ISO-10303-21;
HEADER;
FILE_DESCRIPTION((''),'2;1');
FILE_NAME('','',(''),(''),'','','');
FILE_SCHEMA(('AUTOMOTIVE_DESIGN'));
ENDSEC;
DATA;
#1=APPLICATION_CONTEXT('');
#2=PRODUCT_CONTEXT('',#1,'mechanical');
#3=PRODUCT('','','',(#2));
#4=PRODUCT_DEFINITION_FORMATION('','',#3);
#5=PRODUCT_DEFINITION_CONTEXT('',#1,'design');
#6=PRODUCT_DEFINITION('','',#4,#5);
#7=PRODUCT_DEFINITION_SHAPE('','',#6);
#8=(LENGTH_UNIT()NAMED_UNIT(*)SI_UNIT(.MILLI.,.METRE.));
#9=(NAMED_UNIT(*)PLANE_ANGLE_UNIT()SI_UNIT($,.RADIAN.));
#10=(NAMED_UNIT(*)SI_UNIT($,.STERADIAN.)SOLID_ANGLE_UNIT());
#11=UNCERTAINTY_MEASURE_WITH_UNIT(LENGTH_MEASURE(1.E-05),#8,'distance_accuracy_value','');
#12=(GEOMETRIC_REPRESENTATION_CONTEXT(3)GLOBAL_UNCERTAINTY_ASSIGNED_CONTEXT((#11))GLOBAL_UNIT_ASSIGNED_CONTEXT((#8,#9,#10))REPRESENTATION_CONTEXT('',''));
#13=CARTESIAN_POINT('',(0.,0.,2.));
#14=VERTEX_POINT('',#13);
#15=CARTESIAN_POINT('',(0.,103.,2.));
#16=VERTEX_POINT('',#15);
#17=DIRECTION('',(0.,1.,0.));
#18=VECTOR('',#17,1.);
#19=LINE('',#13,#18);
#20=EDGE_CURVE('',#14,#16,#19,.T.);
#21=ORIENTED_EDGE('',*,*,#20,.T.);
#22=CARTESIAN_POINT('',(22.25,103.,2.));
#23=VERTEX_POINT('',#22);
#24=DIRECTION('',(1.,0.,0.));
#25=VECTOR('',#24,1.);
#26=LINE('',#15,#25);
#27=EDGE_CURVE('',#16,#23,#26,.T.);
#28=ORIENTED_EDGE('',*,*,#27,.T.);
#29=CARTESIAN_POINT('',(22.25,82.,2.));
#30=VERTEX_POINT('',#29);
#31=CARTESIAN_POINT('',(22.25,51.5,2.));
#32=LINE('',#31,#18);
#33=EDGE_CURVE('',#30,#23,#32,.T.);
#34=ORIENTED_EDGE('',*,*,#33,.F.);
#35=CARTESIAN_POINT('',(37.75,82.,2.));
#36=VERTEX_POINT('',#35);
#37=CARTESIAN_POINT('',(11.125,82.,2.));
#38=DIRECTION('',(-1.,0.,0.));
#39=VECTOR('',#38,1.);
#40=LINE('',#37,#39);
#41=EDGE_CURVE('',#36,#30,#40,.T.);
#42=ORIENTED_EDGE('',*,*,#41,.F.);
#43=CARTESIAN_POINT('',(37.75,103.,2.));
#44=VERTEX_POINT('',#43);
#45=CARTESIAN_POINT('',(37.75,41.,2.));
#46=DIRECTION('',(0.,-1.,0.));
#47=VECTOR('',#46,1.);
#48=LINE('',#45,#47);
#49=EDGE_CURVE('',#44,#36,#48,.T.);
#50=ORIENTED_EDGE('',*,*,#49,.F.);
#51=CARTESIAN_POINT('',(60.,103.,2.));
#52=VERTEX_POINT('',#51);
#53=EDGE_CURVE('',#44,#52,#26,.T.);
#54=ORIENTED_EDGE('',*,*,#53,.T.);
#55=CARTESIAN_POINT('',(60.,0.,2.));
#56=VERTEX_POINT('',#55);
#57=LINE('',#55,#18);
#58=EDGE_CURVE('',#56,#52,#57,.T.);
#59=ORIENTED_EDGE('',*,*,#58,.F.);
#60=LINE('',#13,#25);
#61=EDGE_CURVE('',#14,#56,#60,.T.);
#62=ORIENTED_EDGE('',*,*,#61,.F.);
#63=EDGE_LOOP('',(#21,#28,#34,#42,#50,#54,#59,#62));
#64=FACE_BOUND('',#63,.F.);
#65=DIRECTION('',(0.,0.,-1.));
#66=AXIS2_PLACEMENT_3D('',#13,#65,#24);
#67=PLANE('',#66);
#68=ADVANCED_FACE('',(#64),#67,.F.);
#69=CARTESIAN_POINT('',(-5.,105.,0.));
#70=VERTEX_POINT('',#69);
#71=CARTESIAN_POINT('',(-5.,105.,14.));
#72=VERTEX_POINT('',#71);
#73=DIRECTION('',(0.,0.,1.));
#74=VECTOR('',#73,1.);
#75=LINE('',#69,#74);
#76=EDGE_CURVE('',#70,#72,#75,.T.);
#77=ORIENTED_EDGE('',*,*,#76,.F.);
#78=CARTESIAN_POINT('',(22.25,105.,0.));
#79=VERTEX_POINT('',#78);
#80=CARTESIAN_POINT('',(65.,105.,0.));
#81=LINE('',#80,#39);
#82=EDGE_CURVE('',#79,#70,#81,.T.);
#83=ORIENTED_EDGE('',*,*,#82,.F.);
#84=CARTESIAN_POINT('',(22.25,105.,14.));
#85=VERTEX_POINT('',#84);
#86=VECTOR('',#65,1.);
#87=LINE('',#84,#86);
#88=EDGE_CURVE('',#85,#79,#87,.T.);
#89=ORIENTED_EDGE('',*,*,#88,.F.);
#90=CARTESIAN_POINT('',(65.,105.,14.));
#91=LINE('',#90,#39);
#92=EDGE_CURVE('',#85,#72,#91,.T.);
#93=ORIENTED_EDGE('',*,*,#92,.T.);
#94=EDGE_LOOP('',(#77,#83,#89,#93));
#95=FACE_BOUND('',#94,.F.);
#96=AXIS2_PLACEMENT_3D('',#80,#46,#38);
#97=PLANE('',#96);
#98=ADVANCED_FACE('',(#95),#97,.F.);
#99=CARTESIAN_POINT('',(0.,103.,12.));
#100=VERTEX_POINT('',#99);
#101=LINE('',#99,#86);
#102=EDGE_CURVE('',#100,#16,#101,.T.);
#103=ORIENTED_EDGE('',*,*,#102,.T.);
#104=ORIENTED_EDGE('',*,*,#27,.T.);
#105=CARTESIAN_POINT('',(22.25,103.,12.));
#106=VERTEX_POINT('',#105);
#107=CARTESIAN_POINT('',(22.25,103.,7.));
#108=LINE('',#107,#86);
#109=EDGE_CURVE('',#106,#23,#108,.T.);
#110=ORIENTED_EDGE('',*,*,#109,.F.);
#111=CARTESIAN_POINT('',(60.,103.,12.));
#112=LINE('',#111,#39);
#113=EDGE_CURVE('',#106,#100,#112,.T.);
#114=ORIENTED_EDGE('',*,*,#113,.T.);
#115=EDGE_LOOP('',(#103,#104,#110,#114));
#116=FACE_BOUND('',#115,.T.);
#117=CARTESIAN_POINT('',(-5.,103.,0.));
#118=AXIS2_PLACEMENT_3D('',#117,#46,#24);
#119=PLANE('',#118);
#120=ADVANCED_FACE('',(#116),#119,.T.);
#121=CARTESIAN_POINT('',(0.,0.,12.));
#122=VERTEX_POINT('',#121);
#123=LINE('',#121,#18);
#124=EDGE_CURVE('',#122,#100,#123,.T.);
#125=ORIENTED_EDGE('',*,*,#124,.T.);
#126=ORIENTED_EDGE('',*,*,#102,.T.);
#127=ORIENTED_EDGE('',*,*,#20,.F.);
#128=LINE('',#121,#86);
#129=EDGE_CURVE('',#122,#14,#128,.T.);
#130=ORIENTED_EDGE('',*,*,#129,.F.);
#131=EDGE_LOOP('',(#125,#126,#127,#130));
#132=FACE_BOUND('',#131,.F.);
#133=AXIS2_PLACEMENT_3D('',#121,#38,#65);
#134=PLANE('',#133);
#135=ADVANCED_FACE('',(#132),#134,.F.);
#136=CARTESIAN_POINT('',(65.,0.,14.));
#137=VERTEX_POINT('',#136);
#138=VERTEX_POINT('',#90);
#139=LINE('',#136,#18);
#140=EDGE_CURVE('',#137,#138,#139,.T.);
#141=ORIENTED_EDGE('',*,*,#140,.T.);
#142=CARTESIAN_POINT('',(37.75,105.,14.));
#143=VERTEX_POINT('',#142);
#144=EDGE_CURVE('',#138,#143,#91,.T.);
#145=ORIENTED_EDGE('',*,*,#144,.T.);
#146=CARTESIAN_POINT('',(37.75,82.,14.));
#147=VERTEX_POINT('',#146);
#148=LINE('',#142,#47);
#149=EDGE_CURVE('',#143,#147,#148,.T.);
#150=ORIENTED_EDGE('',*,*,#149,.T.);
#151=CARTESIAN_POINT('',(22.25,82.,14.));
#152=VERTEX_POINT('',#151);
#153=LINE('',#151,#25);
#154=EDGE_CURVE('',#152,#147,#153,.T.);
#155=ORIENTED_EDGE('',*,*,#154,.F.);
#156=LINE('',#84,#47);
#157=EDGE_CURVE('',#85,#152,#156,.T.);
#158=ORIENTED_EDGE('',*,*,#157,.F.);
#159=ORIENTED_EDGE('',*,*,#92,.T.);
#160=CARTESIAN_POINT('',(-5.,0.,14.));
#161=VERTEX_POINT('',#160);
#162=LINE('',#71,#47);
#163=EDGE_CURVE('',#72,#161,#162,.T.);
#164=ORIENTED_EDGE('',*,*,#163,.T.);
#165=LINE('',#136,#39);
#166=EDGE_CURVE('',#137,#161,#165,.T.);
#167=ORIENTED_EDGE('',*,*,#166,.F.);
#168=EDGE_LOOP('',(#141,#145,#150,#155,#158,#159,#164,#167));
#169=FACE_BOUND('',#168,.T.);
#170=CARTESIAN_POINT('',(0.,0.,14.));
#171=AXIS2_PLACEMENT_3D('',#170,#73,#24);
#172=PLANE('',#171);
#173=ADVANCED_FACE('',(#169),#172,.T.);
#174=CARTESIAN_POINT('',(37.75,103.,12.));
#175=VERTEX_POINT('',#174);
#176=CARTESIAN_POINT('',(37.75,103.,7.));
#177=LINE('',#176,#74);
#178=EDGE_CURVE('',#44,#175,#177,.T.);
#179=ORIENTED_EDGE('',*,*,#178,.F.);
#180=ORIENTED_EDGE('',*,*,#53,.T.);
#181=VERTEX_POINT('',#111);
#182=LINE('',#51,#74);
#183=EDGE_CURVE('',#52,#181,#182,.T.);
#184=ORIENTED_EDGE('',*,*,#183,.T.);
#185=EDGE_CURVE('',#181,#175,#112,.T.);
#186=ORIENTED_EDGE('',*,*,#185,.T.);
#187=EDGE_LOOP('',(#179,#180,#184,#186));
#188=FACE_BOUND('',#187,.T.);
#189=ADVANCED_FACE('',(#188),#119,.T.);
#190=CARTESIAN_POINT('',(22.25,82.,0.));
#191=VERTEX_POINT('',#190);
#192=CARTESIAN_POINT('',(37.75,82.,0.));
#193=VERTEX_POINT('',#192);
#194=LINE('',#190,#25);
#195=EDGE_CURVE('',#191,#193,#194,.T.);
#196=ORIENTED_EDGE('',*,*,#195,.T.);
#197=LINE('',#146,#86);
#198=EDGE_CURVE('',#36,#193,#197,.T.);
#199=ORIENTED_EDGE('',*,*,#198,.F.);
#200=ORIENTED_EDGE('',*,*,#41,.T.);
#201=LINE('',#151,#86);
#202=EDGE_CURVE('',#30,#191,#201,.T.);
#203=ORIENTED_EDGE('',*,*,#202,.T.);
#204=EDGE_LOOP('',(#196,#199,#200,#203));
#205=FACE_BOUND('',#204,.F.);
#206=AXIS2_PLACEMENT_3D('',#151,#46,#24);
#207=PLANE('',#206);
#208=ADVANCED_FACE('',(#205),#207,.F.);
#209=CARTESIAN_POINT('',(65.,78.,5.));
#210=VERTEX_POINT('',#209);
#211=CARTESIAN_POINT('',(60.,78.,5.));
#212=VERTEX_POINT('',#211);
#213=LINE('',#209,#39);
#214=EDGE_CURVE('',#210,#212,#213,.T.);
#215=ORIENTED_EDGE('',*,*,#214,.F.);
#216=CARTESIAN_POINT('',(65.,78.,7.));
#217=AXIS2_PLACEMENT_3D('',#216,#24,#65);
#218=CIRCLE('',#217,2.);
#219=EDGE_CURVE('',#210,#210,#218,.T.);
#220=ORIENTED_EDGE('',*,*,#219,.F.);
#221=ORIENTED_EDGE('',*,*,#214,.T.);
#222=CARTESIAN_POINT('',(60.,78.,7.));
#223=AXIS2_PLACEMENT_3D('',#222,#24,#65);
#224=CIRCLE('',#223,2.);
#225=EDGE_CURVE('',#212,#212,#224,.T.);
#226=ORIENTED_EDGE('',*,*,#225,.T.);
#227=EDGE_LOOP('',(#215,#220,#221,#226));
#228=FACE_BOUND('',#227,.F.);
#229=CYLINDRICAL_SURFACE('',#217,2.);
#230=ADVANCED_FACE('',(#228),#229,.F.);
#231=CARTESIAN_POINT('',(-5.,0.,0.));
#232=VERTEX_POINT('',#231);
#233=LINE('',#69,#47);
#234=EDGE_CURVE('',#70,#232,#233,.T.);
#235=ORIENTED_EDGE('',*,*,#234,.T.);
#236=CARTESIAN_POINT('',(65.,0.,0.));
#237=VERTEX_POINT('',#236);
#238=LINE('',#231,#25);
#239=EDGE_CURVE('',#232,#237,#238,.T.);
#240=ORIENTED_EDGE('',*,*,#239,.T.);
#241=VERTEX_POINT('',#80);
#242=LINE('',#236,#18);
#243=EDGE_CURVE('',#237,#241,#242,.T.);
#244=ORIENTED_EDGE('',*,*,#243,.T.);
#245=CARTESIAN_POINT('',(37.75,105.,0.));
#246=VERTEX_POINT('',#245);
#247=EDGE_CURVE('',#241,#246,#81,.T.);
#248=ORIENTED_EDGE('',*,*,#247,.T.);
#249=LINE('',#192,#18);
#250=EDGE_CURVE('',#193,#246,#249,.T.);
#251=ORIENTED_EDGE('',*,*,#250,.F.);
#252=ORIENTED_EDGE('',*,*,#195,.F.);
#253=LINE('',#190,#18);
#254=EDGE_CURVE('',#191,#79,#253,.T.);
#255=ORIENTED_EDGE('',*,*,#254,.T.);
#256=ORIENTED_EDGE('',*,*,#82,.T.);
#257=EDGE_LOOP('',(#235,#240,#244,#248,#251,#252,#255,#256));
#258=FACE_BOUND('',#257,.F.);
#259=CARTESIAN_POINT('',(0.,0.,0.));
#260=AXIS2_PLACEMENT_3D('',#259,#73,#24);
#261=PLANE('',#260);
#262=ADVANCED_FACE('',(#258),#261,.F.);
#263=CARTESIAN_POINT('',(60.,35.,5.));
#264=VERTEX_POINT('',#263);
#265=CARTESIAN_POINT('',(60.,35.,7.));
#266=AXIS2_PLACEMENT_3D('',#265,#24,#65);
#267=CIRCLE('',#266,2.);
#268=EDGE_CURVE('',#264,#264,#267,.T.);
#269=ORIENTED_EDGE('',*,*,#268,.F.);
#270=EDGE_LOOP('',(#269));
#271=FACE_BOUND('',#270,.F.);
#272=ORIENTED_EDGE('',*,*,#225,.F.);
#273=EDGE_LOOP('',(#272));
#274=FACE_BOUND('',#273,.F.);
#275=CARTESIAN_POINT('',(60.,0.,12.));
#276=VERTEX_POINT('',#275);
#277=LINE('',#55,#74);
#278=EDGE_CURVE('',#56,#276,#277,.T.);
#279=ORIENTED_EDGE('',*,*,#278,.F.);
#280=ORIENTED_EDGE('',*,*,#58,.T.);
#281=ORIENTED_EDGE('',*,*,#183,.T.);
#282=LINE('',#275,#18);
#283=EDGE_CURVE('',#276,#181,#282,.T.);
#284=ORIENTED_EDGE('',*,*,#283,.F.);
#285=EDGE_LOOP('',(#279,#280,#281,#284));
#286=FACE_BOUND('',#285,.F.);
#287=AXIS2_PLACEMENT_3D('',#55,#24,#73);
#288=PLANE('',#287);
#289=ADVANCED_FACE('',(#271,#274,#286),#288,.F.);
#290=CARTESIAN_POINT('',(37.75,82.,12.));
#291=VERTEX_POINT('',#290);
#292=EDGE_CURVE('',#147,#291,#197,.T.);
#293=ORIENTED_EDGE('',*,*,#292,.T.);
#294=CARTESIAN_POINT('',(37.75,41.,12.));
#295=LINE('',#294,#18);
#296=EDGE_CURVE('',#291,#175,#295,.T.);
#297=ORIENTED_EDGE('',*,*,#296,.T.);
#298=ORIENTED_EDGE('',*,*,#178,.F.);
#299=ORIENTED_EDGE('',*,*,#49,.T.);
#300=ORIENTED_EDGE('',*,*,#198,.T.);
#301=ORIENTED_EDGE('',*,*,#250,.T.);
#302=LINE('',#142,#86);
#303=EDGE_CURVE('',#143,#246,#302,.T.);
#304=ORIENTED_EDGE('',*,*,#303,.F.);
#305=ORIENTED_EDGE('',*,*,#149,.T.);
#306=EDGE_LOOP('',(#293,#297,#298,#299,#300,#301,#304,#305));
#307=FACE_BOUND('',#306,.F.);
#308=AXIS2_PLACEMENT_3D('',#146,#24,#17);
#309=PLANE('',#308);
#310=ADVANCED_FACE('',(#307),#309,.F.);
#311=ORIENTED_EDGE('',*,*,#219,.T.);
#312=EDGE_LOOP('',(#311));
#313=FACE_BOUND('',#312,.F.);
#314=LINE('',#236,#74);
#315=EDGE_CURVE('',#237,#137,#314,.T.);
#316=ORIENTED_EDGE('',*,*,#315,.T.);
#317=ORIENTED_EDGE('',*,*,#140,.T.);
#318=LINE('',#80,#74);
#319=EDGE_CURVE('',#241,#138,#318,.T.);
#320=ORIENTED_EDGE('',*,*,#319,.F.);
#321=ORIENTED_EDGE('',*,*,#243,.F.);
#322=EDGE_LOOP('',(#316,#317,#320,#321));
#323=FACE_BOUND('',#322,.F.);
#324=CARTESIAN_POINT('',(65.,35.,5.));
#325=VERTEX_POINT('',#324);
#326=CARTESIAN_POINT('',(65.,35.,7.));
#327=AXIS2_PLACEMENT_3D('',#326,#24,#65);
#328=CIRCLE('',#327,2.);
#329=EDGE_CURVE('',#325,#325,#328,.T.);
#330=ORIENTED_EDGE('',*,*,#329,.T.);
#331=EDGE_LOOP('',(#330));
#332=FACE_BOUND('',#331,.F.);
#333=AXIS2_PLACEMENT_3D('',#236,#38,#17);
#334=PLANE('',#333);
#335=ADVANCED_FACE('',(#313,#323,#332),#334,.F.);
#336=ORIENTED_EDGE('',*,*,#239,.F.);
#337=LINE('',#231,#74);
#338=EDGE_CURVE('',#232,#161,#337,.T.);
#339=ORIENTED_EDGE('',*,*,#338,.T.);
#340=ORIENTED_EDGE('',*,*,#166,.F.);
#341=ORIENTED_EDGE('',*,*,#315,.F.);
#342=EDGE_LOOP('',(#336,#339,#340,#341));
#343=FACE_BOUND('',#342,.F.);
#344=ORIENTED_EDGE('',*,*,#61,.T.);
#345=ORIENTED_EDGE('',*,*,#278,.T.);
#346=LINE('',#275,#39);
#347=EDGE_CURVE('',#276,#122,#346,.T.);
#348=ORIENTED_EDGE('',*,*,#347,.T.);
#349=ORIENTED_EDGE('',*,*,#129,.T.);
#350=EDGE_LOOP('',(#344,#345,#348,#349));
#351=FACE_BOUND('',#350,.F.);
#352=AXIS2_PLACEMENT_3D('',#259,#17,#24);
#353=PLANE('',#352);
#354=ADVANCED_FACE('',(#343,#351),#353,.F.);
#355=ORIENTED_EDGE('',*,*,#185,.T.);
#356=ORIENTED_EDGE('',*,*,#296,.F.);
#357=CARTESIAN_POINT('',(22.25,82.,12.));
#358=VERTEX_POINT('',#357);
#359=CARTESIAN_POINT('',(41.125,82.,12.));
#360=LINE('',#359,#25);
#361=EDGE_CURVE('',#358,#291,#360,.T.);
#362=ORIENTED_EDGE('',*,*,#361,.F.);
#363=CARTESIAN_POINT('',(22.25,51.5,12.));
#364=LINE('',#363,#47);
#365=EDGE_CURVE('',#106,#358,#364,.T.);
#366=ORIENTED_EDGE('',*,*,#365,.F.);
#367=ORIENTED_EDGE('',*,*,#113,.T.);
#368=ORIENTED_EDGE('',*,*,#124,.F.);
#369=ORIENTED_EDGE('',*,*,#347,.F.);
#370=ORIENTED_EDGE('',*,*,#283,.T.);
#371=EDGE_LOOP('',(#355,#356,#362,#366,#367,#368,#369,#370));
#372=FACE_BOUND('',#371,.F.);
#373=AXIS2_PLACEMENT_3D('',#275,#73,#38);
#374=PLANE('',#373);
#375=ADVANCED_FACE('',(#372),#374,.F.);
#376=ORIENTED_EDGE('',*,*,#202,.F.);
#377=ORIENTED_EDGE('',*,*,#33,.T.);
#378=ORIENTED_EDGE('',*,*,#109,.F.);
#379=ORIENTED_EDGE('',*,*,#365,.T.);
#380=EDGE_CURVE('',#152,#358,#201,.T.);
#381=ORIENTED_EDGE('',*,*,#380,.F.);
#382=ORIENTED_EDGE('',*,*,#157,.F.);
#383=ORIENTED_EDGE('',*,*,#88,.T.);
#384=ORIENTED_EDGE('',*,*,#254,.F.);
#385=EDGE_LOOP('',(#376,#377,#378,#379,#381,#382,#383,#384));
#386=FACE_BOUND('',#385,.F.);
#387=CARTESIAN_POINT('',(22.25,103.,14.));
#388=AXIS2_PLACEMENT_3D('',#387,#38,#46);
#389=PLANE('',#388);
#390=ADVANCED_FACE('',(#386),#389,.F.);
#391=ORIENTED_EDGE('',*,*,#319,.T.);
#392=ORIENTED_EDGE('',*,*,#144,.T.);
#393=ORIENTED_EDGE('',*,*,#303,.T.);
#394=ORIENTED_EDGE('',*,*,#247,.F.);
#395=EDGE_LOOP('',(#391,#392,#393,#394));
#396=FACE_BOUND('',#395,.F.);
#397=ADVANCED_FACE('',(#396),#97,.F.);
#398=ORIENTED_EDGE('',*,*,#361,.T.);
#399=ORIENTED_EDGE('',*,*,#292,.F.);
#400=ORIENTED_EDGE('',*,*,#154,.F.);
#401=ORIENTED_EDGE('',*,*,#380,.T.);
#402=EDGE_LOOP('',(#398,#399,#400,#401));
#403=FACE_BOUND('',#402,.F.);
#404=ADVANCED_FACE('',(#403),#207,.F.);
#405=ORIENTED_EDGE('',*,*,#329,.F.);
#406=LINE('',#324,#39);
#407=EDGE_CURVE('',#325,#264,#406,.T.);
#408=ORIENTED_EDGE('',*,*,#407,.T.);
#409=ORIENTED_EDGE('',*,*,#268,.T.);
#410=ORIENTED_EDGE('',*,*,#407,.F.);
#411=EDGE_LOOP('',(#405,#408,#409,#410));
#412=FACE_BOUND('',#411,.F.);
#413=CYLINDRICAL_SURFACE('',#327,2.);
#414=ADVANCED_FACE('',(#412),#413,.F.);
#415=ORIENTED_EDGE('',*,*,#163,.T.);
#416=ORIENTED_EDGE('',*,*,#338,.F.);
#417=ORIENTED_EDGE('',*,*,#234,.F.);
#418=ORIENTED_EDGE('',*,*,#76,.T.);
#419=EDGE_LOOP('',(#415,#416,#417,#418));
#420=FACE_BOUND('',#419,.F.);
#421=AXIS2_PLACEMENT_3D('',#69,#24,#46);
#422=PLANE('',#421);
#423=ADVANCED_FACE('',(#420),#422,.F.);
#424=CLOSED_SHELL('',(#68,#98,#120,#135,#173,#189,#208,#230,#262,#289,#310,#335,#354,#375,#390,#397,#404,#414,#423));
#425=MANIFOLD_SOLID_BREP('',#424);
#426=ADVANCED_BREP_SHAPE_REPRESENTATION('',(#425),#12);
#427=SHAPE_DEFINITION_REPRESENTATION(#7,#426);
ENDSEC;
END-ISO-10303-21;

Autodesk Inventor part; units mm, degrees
ref_plane "YZ Plane" through (0, 0, 0) normal (1, 0, 0) x (0, 1, 0)
ref_plane "XZ Plane" through (0, 0, 0) normal (0, 1, 0) x (-1, 0, 0)
ref_plane "XY Plane" through (0, 0, 0) normal (0, 0, 1) x (1, 0, 0)
sketch "Sketch1" plane through (0, 0, 0) normal (0, 0, 1) x (1, 0, 0)
  line L0 (0, 0) -> (60, 0)
  line L1 (60, 0) -> (60, 100)
  line L2 (60, 100) -> (0, 100)
  line L3 (0, 100) -> (0, 0)
  line L4 (-5, 0) -> (65, 0)
  line L5 (65, 0) -> (65, 105)
  line L6 (65, 105) -> (-5, 105)
  line L7 (-5, 105) -> (-5, 0)
  dimension "d0" = 60
  dimension "d1" = 100
  dimension "d2" = 5
  dimension "d3" = 5
  dimension "d4" = 5
extrude "Extrusion1" add sketch "Sketch1" along normal blind 14
sketch "Sketch2" plane through (-5, 0, 0) normal (0, -1, 0) x (1, 0, 0)
  line L0 (5, 2) -> (65, 2)
  line L1 (65, 2) -> (65, 12)
  line L2 (65, 12) -> (5, 12)
  line L3 (5, 12) -> (5, 2)
  line L4 (0, 14) -> (70, 14) projected
  line L5 (0, 0) -> (70, 0) projected
  line L6 (70, 0) -> (70, 14) projected
  line L7 (0, 0) -> (0, 14) projected
  point P0 (5, 0)
  dimension "d7" = 2
  dimension "d8" = 2
  dimension "d9" = 5
  dimension "d10" = 5
extrude "Extrusion2" cut sketch "Sketch2" against normal blind 103 contours L3 L2 L1 L0
sketch "Sketch3" plane through (0, 0, 14) normal (0, 0, 1) x (1, 0, 0)
  line L0 (37.75, 103) -> (22.25, 103)
  line L1 (22.25, 103) -> (22.25, 82)
  line L2 (22.25, 82) -> (37.75, 82)
  line L3 (37.75, 82) -> (37.75, 103)
  line L4 (65, 105) -> (-5, 105) projected
  line L5 (0, 0) -> (0, 103) projected
  line L6 (0, 103) -> (60, 103) projected
  line L7 (0, 103) -> (60, 103)
  line L8 (60, 0) -> (60, 103) projected
  line L9 (22.25, 103) -> (22.25, 105)
  line L10 (65, 105) -> (-5, 105) projected
  line L11 (37.75, 103) -> (37.75, 105)
  line L12 (22.25, 105) -> (37.75, 105)
  dimension "d13" = 2
  dimension "d14" = 22.25
  dimension "d15" = 15.5
  dimension "d16" = 21
  dimension "d17" = 60
  dimension "d18" = 22.25
extrude "Extrusion3" cut sketch "Sketch3" against normal up to surface (14 mm away)
sketch "Sketch4" plane through (65, 0, 0) normal (1, 0, 0) x (0, 0, -1)
  circle A0 centre (-7, 78) radius 2
  circle A1 centre (-7, 35) radius 2
  line L0 (-12, 103) -> (-2, 103) projected
  line L1 (-12, 0) -> (-12, 103) projected
  line L2 (0, 0) -> (-14, 0) projected
  dimension "d21" = 4
  dimension "d22" = 4
  dimension "d23" = 25
  dimension "d24" = 5
  dimension "d25" = 35
  dimension "d26" = 5
extrude "Extrusion4" cut sketch "Sketch4" against normal up to surface (42.75 mm away)
properties part number "Heatsink Jig"
